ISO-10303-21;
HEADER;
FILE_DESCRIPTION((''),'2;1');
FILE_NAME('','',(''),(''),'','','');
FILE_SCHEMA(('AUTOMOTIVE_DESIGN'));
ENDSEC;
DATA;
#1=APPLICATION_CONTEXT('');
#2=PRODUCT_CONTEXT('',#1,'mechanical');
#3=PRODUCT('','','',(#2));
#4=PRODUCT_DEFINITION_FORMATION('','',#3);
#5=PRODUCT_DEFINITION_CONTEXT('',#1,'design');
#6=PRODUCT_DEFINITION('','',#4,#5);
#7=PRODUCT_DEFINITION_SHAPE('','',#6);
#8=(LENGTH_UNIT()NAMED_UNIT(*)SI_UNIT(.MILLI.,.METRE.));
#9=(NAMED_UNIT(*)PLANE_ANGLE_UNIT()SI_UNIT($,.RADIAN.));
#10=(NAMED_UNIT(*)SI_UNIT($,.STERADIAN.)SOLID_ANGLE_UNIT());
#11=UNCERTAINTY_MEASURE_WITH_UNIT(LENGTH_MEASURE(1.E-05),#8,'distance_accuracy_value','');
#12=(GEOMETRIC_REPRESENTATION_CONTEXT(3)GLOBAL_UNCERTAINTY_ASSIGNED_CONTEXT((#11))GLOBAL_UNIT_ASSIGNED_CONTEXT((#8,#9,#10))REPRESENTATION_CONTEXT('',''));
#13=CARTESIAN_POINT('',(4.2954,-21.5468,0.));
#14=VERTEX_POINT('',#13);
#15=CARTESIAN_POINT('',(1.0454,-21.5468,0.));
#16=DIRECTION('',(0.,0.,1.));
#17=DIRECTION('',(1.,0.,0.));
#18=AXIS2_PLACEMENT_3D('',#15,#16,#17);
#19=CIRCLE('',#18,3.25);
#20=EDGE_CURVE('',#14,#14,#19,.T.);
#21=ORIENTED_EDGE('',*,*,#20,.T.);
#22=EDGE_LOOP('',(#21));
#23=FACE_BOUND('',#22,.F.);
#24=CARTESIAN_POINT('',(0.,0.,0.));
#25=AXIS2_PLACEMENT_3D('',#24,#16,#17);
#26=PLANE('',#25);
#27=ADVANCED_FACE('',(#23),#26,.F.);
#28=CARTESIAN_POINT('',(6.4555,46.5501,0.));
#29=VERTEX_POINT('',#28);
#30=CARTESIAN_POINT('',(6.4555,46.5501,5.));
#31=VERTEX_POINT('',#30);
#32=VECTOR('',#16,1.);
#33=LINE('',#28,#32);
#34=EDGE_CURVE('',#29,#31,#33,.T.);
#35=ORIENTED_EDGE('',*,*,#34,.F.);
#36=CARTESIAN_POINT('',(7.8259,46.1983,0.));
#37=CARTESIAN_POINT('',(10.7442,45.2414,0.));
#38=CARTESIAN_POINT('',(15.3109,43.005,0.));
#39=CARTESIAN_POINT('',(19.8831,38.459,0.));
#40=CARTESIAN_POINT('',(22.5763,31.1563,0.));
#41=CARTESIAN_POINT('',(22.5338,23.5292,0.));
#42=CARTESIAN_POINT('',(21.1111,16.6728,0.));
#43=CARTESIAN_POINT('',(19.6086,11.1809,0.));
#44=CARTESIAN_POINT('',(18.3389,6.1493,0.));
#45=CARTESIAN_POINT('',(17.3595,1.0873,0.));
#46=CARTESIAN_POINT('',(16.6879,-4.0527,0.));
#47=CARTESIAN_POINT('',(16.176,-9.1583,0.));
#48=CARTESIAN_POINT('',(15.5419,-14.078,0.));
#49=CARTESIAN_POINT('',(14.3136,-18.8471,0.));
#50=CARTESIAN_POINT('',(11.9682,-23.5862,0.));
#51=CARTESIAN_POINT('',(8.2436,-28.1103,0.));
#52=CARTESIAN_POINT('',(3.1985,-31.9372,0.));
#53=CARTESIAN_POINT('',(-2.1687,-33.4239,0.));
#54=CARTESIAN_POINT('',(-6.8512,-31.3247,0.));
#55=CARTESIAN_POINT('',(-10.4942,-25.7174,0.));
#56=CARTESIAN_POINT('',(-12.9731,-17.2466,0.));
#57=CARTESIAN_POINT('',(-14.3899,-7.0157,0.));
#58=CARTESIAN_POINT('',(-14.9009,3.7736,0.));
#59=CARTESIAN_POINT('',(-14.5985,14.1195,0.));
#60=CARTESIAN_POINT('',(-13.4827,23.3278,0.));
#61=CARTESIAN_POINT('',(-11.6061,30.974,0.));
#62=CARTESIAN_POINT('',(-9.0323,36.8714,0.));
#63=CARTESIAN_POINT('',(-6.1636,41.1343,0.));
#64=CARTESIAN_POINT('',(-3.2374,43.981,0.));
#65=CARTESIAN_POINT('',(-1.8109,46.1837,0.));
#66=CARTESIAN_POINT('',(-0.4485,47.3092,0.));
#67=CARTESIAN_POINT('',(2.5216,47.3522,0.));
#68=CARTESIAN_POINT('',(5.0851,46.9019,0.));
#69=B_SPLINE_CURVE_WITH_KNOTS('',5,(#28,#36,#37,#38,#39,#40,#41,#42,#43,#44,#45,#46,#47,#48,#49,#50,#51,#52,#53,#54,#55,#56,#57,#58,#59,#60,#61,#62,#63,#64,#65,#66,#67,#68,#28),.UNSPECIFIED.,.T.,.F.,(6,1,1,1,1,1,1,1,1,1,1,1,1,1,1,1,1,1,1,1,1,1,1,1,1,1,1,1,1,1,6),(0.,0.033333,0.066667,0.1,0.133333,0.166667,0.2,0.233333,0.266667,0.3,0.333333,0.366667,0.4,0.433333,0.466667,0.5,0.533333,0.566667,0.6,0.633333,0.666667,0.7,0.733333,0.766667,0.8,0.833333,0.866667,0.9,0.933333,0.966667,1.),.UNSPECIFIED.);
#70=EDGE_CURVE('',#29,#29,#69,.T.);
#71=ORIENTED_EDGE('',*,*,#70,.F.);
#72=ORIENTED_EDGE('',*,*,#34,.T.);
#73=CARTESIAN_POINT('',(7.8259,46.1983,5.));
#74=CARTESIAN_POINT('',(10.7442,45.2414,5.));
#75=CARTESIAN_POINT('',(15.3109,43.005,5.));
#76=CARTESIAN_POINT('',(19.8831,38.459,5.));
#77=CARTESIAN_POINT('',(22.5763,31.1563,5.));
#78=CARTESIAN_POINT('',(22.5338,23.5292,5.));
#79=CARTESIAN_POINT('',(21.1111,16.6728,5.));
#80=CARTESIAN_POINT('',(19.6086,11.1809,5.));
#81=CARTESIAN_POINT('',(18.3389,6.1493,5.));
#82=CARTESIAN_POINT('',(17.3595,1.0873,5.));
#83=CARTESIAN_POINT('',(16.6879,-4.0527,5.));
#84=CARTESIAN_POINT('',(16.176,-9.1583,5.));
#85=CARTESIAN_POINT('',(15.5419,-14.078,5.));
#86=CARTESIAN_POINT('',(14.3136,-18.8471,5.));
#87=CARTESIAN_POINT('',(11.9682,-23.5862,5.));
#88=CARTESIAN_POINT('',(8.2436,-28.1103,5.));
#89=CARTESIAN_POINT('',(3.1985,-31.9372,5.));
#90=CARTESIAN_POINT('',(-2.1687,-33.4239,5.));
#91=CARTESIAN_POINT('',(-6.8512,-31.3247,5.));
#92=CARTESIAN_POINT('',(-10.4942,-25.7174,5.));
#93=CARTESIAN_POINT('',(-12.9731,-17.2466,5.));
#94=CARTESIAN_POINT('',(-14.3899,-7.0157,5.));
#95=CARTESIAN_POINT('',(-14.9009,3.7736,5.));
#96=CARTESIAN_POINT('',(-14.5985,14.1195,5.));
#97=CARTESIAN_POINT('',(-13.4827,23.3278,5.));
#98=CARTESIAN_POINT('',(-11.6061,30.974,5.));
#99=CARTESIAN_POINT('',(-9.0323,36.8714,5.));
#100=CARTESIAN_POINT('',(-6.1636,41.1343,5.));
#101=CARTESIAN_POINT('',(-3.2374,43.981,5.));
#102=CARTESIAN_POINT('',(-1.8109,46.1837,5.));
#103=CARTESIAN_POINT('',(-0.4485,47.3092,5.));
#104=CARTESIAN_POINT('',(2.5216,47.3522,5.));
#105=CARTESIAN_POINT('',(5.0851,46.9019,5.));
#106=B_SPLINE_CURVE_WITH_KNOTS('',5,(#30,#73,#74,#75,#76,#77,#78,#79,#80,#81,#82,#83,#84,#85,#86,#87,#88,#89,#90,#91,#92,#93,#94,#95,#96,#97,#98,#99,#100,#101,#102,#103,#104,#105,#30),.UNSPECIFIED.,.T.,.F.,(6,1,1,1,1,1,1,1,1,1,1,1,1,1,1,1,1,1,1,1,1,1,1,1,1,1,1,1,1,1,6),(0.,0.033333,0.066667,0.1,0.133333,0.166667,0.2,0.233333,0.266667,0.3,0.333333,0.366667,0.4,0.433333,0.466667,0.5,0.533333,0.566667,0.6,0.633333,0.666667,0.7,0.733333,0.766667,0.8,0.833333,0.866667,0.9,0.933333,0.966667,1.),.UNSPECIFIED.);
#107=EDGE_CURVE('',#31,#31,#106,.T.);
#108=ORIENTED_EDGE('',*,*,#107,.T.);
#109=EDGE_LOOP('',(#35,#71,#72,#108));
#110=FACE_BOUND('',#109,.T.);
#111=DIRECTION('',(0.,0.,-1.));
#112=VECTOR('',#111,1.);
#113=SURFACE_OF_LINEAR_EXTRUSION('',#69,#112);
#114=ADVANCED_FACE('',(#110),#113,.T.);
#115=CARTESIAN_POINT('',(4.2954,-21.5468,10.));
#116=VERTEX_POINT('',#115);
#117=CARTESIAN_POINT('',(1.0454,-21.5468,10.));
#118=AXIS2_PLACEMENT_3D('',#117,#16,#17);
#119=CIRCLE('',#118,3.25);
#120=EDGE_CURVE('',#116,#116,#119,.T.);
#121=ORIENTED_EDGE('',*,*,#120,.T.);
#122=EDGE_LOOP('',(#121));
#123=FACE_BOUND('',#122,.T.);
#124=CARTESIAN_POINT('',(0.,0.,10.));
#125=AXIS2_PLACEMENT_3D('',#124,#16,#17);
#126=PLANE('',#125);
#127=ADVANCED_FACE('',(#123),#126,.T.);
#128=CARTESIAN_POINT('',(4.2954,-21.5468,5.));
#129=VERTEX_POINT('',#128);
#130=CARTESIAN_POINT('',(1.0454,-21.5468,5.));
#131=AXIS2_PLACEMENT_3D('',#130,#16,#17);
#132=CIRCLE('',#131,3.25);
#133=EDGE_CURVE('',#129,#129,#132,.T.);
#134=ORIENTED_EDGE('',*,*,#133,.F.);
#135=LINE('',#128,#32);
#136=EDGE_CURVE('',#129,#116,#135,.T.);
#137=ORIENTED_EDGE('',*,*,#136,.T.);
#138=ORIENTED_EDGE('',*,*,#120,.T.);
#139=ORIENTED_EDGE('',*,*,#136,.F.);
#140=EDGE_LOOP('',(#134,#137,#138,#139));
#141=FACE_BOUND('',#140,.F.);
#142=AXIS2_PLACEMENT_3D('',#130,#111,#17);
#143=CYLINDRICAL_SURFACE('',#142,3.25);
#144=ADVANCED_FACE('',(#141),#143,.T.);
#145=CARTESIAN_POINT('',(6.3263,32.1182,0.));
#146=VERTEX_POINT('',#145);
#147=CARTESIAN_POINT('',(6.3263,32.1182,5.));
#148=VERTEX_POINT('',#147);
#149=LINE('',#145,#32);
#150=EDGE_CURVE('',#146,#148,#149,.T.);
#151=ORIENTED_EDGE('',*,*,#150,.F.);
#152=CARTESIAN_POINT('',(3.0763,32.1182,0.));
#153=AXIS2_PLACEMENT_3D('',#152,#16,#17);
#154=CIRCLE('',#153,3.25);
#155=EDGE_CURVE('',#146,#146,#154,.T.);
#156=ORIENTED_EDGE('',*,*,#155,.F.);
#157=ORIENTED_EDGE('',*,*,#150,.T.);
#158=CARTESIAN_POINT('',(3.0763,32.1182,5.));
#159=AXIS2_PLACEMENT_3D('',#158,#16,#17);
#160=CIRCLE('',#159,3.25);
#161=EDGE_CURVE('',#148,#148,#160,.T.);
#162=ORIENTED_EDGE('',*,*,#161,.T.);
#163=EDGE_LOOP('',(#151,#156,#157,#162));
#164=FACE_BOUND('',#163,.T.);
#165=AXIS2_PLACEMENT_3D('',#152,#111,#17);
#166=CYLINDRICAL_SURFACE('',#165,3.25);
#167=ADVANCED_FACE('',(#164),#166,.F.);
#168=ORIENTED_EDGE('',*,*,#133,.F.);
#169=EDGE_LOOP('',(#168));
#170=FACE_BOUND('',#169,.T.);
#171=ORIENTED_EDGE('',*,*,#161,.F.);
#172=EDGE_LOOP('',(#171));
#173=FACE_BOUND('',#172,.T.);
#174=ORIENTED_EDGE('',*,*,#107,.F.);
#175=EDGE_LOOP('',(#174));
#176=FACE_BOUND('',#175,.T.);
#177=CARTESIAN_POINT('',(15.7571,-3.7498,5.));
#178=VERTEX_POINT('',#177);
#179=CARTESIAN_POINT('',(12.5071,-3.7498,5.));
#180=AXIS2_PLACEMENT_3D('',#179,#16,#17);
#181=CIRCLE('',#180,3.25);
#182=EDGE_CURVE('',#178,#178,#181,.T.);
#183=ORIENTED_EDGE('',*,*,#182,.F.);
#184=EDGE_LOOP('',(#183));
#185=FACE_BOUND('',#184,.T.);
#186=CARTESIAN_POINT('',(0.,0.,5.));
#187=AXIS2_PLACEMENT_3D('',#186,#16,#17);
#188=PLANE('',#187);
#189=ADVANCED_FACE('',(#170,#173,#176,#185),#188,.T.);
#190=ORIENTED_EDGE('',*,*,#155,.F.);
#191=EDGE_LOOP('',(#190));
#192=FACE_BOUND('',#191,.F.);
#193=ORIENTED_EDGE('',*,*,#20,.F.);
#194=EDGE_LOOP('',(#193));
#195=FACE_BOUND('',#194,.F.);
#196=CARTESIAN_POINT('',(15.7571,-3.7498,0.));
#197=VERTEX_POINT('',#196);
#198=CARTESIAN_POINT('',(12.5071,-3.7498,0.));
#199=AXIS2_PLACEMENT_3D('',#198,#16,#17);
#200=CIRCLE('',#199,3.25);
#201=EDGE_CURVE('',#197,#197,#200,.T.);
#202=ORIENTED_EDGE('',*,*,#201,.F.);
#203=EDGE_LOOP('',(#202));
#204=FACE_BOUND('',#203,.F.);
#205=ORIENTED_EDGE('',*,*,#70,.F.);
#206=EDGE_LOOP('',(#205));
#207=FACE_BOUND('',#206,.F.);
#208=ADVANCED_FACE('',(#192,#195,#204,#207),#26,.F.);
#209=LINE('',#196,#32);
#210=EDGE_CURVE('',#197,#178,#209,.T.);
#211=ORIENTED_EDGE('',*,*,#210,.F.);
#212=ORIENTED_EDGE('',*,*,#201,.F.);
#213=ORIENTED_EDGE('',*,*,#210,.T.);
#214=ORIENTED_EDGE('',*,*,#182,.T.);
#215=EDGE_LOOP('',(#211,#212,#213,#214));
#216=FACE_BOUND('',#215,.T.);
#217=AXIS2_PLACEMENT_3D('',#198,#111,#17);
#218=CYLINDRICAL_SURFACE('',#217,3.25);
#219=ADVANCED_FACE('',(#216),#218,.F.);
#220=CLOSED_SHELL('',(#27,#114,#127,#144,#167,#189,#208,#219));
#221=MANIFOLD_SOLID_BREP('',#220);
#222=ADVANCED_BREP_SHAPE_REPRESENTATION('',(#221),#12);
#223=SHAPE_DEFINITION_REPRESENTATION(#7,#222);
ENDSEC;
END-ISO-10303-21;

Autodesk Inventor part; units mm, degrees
ref_plane "YZ Plane" through (0, 0, 0) normal (1, 0, 0) x (0, 1, 0)
ref_plane "XZ Plane" through (0, 0, 0) normal (0, 1, 0) x (-1, 0, 0)
ref_plane "XY Plane" through (0, 0, 0) normal (0, 0, 1) x (1, 0, 0)
sketch "Sketch2" plane through (0, 0, 0) normal (0, 0, 1) x (1, 0, 0)
  circle A0 centre (1.0454, -21.5468) radius 3.25
  circle A1 centre (3.0763, 32.1182) radius 3.25
  circle A2 centre (12.5071, -3.7498) radius 3.25
  spline S0 degree 5 poles (6.4555, 46.5501) (7.8259, 46.1983) (10.7442, 45.2414) (15.3109, 43.005) (19.8831, 38.459) (22.5763, 31.1563) (22.5338, 23.5292) (21.1111, 16.6728) (19.6086, 11.1809) (18.3389, 6.1493) (17.3595, 1.0873) (16.6879, -4.0527) (16.176, -9.1583) (15.5419, -14.078) (14.3136, -18.8471) (11.9682, -23.5862) (8.2436, -28.1103) (3.1985, -31.9372) (-2.1687, -33.4239) (-6.8512, -31.3247) (-10.4942, -25.7174) (-12.9731, -17.2466) (-14.3899, -7.0157) (-14.9009, 3.7736) (-14.5985, 14.1195) (-13.4827, 23.3278) (-11.6061, 30.974) (-9.0323, 36.8714) (-6.1636, 41.1343) (-3.2374, 43.981) (-1.8109, 46.1837) (-0.4485, 47.3092) (2.5216, 47.3522) (5.0851, 46.9019) (6.4555, 46.5501) knots 0 0 0 0 0 0 0.033333 0.066667 0.1 0.133333 0.166667 0.2 0.233333 0.266667 0.3 0.333333 0.366667 0.4 0.433333 0.466667 0.5 0.533333 0.566667 0.6 0.633333 0.666667 0.7 0.733333 0.766667 0.8 0.833333 0.866667 0.9 0.933333 0.966667 1 1 1 1 1 1 weights 1 1 1 1 1 1 1 1 1 1 1 1 1 1 1 1 1 1 1 1 1 1 1 1 1 1 1 1 1 1 1 1 1 1 1
  point P0 (0, 0)
  dimension "d8" = 6.5
extrude "Extrusion1" add sketch "Sketch2" along normal blind 5
sketch "Sketch3" plane through (0, 0, 5) normal (0, 0, 1) x (1, 0, 0)
  circle A0 centre (1.0454, -21.5468) radius 3.25 projected
  circle A1 centre (3.0763, 32.1182) radius 3.25 projected
  circle A2 centre (12.5071, -3.7498) radius 3.25 projected
  point P0 (0, 0)
  point P1 (6.4555, 46.5501)
extrude "Extrusion2" add sketch "Sketch3" along normal blind 5 contours A0
extrude "Extrusion3" add sketch "Sketch2" along normal blind 5 contours A0
equation "\"d8\" = R"
equation "\"R\" = 6.5"
equation "\"thickness\" = 5"
equation "\"width\" = 6.5"
equation "\"R1\" = 9"
